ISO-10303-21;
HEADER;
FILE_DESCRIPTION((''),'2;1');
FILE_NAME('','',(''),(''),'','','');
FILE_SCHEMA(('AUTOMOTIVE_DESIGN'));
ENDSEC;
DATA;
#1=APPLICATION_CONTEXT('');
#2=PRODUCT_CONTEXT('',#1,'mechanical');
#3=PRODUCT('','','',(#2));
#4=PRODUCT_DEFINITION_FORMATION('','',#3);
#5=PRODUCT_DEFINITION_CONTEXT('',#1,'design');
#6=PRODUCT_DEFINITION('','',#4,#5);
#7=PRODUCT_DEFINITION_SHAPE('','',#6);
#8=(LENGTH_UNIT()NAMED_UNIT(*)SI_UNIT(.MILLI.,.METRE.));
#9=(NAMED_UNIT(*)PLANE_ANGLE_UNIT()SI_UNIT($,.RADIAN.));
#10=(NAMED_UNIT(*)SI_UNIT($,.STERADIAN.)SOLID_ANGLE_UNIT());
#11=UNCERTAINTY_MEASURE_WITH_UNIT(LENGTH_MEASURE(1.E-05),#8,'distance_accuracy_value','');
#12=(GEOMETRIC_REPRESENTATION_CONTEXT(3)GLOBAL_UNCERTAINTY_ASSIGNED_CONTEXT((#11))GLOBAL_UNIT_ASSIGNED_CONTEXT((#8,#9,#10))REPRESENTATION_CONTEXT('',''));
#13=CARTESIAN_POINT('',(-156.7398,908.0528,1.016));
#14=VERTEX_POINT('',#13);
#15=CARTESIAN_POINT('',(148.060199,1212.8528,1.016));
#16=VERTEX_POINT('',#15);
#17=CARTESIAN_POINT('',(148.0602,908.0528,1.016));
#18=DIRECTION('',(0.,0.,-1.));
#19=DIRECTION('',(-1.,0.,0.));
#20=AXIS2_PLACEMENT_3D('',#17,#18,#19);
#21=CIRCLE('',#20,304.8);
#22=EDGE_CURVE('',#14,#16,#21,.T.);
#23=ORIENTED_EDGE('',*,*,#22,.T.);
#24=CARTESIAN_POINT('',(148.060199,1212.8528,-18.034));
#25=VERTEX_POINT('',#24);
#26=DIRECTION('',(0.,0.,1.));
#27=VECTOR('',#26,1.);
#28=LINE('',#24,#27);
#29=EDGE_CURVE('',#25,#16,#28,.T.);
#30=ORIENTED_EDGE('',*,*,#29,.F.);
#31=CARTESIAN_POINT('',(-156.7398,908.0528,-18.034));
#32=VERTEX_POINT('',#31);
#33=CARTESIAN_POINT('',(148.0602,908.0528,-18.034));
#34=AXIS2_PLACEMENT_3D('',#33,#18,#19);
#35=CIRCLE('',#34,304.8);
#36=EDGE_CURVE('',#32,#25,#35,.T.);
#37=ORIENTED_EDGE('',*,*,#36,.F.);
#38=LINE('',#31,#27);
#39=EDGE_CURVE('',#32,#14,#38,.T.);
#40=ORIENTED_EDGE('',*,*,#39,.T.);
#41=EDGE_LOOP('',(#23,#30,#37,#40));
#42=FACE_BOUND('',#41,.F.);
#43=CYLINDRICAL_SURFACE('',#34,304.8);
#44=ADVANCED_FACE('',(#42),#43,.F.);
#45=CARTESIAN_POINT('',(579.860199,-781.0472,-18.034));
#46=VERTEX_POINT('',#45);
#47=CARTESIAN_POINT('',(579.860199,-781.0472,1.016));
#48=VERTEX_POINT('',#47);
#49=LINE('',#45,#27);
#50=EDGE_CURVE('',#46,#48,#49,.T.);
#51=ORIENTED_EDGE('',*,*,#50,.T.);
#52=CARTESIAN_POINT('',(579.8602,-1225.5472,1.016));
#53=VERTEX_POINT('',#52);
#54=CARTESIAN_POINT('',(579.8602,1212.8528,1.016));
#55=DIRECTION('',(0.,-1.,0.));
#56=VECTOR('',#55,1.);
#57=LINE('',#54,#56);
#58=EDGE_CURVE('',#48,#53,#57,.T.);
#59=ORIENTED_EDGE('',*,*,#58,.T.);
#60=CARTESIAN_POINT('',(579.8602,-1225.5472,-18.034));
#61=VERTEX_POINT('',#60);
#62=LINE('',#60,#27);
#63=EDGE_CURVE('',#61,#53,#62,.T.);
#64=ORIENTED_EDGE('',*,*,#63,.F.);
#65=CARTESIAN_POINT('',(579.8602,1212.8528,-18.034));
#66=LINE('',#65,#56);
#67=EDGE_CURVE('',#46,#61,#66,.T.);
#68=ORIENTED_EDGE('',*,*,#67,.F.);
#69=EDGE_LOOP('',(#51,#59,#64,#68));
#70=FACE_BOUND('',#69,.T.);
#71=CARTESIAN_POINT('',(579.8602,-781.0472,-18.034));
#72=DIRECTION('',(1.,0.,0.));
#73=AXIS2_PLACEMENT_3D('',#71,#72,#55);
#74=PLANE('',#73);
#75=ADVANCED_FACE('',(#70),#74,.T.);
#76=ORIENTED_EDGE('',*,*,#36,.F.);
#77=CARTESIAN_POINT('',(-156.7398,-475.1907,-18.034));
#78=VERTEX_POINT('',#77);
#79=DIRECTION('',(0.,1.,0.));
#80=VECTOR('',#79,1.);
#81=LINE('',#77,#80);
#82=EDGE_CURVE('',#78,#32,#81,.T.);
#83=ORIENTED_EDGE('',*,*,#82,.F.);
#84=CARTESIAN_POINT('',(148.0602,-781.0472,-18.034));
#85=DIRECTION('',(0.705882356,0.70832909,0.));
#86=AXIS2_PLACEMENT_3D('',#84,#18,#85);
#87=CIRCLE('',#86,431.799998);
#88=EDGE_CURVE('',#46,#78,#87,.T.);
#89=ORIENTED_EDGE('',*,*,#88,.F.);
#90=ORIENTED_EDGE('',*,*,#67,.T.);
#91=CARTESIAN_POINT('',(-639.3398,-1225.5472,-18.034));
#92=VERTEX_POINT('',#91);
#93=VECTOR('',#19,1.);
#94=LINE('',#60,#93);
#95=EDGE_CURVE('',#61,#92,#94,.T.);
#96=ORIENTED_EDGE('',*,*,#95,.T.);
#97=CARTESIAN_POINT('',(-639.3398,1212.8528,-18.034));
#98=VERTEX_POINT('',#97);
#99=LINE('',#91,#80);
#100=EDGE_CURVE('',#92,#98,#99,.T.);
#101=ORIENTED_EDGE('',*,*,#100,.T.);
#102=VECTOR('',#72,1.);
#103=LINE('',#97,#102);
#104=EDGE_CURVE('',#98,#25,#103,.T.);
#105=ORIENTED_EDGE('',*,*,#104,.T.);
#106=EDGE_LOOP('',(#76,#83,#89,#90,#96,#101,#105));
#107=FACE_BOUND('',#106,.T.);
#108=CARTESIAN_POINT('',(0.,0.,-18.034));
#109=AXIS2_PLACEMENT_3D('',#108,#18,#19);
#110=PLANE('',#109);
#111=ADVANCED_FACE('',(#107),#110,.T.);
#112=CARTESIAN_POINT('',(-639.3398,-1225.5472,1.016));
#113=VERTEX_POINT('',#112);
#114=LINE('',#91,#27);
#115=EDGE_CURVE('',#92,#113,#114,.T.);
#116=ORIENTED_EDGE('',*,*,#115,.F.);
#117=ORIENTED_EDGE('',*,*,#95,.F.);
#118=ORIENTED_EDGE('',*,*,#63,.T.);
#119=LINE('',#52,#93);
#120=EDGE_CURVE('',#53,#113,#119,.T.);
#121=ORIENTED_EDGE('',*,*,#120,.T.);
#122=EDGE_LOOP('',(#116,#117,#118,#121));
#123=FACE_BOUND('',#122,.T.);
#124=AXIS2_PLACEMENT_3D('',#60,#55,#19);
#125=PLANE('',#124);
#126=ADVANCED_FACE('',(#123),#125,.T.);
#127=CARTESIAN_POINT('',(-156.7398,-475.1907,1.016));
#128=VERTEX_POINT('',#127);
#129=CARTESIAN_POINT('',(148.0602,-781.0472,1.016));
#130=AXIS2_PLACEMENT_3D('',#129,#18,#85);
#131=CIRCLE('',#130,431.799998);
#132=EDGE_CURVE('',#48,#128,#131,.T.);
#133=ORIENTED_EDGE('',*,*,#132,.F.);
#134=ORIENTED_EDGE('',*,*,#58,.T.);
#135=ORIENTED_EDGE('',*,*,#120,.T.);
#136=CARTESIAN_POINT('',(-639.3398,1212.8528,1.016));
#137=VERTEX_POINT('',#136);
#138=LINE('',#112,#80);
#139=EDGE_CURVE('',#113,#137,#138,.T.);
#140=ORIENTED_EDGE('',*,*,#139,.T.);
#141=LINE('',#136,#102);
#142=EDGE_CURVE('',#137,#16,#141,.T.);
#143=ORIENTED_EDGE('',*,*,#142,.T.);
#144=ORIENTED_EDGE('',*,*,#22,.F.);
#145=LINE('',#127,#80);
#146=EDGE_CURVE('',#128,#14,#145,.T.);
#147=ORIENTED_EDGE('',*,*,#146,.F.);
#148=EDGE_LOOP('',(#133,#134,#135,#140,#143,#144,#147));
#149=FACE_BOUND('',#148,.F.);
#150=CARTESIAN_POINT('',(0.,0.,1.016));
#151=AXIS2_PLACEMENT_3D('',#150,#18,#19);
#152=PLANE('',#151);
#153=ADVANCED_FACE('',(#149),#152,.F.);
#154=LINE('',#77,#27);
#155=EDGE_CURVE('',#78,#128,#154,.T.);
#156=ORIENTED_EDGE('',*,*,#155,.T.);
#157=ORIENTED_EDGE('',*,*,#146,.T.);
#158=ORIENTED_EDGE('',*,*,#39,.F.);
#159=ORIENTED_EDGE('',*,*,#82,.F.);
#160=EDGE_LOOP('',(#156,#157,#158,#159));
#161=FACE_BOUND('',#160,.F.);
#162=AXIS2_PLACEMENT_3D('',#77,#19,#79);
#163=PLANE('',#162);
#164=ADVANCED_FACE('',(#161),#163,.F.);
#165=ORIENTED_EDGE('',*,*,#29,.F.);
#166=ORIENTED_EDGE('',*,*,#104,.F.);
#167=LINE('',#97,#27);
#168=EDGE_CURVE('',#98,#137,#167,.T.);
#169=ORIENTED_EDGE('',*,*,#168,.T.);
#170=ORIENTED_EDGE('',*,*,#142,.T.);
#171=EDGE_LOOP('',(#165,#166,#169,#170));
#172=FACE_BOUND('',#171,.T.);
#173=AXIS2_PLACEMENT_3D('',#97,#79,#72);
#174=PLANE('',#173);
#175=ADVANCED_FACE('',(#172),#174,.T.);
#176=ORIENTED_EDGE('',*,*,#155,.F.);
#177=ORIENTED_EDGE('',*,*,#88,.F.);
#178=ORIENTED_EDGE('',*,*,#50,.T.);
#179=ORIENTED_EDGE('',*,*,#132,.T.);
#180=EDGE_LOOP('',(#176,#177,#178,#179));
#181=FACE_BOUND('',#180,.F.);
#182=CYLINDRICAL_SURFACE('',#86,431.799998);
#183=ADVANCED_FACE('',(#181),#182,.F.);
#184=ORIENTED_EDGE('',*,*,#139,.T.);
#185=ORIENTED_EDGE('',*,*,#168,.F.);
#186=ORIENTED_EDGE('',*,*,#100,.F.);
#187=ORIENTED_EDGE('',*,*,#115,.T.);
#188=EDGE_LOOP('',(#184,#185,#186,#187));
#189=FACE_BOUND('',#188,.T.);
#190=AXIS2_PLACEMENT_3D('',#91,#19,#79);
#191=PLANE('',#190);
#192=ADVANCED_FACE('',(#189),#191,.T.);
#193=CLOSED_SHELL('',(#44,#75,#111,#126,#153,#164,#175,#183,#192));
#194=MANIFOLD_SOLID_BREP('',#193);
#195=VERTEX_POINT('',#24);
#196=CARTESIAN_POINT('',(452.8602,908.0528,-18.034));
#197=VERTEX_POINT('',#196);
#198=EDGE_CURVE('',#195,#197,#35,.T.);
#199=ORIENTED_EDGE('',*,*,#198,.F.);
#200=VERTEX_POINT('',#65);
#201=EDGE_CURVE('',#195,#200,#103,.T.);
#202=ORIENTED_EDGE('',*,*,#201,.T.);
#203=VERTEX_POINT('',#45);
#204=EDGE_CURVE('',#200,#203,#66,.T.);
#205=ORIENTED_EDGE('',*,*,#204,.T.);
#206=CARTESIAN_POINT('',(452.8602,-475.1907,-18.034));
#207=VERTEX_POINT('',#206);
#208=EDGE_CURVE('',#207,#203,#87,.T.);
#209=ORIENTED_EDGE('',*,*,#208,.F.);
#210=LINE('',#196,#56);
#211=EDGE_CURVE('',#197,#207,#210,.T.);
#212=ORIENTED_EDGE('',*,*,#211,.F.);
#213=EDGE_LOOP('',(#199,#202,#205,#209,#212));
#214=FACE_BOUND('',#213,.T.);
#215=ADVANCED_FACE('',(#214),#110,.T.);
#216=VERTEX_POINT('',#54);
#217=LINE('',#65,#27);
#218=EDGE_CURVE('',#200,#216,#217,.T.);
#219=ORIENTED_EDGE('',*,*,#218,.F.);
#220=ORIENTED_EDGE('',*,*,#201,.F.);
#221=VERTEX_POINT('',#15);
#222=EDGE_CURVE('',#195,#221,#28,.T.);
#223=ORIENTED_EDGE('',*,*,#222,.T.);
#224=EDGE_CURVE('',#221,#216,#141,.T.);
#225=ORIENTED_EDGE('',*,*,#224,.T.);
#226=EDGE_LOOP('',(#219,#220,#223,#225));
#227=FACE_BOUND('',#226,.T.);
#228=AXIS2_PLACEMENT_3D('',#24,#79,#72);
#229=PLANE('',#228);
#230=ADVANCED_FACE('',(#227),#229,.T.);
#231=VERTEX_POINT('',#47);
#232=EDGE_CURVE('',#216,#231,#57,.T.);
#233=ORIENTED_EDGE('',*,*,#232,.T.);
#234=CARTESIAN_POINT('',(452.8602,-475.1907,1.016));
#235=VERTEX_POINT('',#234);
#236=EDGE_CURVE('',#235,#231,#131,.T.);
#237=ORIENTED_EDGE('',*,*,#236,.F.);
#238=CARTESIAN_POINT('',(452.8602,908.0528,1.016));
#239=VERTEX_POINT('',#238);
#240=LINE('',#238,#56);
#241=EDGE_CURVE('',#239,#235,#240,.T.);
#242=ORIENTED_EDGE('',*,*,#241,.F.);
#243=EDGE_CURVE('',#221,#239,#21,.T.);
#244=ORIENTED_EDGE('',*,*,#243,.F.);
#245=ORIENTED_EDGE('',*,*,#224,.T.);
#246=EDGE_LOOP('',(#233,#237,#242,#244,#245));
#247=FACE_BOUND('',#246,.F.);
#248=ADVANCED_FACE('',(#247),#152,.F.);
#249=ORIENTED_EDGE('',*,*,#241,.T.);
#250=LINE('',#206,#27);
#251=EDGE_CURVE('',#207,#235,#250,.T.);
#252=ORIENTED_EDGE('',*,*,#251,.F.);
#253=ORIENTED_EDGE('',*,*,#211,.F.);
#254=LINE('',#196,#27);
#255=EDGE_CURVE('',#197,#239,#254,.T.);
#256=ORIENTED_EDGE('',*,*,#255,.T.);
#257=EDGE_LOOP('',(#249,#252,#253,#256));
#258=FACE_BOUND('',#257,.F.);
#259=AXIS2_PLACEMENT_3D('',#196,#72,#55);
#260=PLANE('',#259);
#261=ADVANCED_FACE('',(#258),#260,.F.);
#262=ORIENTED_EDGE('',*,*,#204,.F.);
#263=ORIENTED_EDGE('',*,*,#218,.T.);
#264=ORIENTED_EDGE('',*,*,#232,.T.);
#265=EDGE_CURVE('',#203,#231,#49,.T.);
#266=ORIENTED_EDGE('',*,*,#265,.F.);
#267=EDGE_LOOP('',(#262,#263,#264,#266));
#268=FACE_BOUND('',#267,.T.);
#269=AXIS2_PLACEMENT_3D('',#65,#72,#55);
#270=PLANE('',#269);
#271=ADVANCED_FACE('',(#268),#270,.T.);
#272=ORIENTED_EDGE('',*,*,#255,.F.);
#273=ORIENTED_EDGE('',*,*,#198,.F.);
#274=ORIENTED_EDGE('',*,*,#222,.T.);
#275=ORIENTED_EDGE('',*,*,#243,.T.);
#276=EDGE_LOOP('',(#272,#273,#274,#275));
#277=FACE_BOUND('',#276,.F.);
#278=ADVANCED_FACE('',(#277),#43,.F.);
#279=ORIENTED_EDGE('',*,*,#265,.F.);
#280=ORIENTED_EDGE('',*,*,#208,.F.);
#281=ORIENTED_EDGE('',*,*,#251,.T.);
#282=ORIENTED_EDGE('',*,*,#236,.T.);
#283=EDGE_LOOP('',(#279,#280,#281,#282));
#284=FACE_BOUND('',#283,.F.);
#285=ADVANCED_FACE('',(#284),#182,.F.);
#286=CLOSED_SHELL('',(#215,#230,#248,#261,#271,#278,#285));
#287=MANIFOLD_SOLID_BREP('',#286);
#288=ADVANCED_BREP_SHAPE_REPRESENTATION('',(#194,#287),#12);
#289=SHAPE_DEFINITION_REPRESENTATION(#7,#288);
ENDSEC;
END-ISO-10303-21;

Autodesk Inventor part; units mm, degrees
ref_plane "YZ Plane" through (0, 0, 0) normal (1, 0, 0) x (0, 1, 0)
ref_plane "XZ Plane" through (0, 0, 0) normal (0, 1, 0) x (-1, 0, 0)
ref_plane "XY Plane" through (0, 0, 0) normal (0, 0, 1) x (1, 0, 0)
ref_plane "Work Plane1" through (0, 0, -18.034) normal (0, 0, -1) x (-1, 0, 0)
sketch "Sketch1" plane through (0, 0, -18.034) normal (0, 0, -1) x (-1, 0, 0)
  line L0 (-579.8602, -1225.5472) -> (639.3398, -1225.5472)
  line L1 (639.3398, -1225.5472) -> (639.3398, 1212.8528)
  line L2 (639.3398, 1212.8528) -> (-579.8602, 1212.8528)
  line L3 (-579.8602, 1212.8528) -> (-579.8602, -1225.5472)
  circle A0 centre (-78.2102, 1018.4732) radius 9.525 projected
  circle A1 centre (-217.9102, 1018.4732) radius 9.525 projected
  circle A2 centre (-51.2227, -1165.9268) radius 9.525 projected
  circle A3 centre (-244.8977, -1165.9268) radius 9.525 projected
  circle A4 centre (-97.2602, -1165.9268) radius 9.525 projected
  circle A5 centre (-198.8602, -1165.9268) radius 9.525 projected
  circle A6 centre (-263.9477, 1018.4732) radius 9.525 projected
  circle A7 centre (-32.1727, 1018.4732) radius 9.525 projected
  arc A8 (156.7398, 908.0528) -> (-452.8602, 908.0528) centre (-148.0602, 908.0528) ccw projected
  line L4 (-452.8602, 908.0528) -> (-452.8602, -475.1907) projected
  arc A9 (-452.8602, -475.1907) -> (156.7398, -475.1907) centre (-148.0602, -781.0472) ccw projected
  line L5 (156.7398, -475.1907) -> (156.7398, 908.0528) projected
  point P0 (0, 0)
  dimension "d0" = 1219.2
  dimension "d2" = 2438.4
extrude "Extrusion1" add sketch "Sketch1" against normal blind 19.05 contours L3 A9 L5 A8 L2 L1 L0 | L3 L2 A8 L4 A9
properties part number "Ply Leftover stock"
